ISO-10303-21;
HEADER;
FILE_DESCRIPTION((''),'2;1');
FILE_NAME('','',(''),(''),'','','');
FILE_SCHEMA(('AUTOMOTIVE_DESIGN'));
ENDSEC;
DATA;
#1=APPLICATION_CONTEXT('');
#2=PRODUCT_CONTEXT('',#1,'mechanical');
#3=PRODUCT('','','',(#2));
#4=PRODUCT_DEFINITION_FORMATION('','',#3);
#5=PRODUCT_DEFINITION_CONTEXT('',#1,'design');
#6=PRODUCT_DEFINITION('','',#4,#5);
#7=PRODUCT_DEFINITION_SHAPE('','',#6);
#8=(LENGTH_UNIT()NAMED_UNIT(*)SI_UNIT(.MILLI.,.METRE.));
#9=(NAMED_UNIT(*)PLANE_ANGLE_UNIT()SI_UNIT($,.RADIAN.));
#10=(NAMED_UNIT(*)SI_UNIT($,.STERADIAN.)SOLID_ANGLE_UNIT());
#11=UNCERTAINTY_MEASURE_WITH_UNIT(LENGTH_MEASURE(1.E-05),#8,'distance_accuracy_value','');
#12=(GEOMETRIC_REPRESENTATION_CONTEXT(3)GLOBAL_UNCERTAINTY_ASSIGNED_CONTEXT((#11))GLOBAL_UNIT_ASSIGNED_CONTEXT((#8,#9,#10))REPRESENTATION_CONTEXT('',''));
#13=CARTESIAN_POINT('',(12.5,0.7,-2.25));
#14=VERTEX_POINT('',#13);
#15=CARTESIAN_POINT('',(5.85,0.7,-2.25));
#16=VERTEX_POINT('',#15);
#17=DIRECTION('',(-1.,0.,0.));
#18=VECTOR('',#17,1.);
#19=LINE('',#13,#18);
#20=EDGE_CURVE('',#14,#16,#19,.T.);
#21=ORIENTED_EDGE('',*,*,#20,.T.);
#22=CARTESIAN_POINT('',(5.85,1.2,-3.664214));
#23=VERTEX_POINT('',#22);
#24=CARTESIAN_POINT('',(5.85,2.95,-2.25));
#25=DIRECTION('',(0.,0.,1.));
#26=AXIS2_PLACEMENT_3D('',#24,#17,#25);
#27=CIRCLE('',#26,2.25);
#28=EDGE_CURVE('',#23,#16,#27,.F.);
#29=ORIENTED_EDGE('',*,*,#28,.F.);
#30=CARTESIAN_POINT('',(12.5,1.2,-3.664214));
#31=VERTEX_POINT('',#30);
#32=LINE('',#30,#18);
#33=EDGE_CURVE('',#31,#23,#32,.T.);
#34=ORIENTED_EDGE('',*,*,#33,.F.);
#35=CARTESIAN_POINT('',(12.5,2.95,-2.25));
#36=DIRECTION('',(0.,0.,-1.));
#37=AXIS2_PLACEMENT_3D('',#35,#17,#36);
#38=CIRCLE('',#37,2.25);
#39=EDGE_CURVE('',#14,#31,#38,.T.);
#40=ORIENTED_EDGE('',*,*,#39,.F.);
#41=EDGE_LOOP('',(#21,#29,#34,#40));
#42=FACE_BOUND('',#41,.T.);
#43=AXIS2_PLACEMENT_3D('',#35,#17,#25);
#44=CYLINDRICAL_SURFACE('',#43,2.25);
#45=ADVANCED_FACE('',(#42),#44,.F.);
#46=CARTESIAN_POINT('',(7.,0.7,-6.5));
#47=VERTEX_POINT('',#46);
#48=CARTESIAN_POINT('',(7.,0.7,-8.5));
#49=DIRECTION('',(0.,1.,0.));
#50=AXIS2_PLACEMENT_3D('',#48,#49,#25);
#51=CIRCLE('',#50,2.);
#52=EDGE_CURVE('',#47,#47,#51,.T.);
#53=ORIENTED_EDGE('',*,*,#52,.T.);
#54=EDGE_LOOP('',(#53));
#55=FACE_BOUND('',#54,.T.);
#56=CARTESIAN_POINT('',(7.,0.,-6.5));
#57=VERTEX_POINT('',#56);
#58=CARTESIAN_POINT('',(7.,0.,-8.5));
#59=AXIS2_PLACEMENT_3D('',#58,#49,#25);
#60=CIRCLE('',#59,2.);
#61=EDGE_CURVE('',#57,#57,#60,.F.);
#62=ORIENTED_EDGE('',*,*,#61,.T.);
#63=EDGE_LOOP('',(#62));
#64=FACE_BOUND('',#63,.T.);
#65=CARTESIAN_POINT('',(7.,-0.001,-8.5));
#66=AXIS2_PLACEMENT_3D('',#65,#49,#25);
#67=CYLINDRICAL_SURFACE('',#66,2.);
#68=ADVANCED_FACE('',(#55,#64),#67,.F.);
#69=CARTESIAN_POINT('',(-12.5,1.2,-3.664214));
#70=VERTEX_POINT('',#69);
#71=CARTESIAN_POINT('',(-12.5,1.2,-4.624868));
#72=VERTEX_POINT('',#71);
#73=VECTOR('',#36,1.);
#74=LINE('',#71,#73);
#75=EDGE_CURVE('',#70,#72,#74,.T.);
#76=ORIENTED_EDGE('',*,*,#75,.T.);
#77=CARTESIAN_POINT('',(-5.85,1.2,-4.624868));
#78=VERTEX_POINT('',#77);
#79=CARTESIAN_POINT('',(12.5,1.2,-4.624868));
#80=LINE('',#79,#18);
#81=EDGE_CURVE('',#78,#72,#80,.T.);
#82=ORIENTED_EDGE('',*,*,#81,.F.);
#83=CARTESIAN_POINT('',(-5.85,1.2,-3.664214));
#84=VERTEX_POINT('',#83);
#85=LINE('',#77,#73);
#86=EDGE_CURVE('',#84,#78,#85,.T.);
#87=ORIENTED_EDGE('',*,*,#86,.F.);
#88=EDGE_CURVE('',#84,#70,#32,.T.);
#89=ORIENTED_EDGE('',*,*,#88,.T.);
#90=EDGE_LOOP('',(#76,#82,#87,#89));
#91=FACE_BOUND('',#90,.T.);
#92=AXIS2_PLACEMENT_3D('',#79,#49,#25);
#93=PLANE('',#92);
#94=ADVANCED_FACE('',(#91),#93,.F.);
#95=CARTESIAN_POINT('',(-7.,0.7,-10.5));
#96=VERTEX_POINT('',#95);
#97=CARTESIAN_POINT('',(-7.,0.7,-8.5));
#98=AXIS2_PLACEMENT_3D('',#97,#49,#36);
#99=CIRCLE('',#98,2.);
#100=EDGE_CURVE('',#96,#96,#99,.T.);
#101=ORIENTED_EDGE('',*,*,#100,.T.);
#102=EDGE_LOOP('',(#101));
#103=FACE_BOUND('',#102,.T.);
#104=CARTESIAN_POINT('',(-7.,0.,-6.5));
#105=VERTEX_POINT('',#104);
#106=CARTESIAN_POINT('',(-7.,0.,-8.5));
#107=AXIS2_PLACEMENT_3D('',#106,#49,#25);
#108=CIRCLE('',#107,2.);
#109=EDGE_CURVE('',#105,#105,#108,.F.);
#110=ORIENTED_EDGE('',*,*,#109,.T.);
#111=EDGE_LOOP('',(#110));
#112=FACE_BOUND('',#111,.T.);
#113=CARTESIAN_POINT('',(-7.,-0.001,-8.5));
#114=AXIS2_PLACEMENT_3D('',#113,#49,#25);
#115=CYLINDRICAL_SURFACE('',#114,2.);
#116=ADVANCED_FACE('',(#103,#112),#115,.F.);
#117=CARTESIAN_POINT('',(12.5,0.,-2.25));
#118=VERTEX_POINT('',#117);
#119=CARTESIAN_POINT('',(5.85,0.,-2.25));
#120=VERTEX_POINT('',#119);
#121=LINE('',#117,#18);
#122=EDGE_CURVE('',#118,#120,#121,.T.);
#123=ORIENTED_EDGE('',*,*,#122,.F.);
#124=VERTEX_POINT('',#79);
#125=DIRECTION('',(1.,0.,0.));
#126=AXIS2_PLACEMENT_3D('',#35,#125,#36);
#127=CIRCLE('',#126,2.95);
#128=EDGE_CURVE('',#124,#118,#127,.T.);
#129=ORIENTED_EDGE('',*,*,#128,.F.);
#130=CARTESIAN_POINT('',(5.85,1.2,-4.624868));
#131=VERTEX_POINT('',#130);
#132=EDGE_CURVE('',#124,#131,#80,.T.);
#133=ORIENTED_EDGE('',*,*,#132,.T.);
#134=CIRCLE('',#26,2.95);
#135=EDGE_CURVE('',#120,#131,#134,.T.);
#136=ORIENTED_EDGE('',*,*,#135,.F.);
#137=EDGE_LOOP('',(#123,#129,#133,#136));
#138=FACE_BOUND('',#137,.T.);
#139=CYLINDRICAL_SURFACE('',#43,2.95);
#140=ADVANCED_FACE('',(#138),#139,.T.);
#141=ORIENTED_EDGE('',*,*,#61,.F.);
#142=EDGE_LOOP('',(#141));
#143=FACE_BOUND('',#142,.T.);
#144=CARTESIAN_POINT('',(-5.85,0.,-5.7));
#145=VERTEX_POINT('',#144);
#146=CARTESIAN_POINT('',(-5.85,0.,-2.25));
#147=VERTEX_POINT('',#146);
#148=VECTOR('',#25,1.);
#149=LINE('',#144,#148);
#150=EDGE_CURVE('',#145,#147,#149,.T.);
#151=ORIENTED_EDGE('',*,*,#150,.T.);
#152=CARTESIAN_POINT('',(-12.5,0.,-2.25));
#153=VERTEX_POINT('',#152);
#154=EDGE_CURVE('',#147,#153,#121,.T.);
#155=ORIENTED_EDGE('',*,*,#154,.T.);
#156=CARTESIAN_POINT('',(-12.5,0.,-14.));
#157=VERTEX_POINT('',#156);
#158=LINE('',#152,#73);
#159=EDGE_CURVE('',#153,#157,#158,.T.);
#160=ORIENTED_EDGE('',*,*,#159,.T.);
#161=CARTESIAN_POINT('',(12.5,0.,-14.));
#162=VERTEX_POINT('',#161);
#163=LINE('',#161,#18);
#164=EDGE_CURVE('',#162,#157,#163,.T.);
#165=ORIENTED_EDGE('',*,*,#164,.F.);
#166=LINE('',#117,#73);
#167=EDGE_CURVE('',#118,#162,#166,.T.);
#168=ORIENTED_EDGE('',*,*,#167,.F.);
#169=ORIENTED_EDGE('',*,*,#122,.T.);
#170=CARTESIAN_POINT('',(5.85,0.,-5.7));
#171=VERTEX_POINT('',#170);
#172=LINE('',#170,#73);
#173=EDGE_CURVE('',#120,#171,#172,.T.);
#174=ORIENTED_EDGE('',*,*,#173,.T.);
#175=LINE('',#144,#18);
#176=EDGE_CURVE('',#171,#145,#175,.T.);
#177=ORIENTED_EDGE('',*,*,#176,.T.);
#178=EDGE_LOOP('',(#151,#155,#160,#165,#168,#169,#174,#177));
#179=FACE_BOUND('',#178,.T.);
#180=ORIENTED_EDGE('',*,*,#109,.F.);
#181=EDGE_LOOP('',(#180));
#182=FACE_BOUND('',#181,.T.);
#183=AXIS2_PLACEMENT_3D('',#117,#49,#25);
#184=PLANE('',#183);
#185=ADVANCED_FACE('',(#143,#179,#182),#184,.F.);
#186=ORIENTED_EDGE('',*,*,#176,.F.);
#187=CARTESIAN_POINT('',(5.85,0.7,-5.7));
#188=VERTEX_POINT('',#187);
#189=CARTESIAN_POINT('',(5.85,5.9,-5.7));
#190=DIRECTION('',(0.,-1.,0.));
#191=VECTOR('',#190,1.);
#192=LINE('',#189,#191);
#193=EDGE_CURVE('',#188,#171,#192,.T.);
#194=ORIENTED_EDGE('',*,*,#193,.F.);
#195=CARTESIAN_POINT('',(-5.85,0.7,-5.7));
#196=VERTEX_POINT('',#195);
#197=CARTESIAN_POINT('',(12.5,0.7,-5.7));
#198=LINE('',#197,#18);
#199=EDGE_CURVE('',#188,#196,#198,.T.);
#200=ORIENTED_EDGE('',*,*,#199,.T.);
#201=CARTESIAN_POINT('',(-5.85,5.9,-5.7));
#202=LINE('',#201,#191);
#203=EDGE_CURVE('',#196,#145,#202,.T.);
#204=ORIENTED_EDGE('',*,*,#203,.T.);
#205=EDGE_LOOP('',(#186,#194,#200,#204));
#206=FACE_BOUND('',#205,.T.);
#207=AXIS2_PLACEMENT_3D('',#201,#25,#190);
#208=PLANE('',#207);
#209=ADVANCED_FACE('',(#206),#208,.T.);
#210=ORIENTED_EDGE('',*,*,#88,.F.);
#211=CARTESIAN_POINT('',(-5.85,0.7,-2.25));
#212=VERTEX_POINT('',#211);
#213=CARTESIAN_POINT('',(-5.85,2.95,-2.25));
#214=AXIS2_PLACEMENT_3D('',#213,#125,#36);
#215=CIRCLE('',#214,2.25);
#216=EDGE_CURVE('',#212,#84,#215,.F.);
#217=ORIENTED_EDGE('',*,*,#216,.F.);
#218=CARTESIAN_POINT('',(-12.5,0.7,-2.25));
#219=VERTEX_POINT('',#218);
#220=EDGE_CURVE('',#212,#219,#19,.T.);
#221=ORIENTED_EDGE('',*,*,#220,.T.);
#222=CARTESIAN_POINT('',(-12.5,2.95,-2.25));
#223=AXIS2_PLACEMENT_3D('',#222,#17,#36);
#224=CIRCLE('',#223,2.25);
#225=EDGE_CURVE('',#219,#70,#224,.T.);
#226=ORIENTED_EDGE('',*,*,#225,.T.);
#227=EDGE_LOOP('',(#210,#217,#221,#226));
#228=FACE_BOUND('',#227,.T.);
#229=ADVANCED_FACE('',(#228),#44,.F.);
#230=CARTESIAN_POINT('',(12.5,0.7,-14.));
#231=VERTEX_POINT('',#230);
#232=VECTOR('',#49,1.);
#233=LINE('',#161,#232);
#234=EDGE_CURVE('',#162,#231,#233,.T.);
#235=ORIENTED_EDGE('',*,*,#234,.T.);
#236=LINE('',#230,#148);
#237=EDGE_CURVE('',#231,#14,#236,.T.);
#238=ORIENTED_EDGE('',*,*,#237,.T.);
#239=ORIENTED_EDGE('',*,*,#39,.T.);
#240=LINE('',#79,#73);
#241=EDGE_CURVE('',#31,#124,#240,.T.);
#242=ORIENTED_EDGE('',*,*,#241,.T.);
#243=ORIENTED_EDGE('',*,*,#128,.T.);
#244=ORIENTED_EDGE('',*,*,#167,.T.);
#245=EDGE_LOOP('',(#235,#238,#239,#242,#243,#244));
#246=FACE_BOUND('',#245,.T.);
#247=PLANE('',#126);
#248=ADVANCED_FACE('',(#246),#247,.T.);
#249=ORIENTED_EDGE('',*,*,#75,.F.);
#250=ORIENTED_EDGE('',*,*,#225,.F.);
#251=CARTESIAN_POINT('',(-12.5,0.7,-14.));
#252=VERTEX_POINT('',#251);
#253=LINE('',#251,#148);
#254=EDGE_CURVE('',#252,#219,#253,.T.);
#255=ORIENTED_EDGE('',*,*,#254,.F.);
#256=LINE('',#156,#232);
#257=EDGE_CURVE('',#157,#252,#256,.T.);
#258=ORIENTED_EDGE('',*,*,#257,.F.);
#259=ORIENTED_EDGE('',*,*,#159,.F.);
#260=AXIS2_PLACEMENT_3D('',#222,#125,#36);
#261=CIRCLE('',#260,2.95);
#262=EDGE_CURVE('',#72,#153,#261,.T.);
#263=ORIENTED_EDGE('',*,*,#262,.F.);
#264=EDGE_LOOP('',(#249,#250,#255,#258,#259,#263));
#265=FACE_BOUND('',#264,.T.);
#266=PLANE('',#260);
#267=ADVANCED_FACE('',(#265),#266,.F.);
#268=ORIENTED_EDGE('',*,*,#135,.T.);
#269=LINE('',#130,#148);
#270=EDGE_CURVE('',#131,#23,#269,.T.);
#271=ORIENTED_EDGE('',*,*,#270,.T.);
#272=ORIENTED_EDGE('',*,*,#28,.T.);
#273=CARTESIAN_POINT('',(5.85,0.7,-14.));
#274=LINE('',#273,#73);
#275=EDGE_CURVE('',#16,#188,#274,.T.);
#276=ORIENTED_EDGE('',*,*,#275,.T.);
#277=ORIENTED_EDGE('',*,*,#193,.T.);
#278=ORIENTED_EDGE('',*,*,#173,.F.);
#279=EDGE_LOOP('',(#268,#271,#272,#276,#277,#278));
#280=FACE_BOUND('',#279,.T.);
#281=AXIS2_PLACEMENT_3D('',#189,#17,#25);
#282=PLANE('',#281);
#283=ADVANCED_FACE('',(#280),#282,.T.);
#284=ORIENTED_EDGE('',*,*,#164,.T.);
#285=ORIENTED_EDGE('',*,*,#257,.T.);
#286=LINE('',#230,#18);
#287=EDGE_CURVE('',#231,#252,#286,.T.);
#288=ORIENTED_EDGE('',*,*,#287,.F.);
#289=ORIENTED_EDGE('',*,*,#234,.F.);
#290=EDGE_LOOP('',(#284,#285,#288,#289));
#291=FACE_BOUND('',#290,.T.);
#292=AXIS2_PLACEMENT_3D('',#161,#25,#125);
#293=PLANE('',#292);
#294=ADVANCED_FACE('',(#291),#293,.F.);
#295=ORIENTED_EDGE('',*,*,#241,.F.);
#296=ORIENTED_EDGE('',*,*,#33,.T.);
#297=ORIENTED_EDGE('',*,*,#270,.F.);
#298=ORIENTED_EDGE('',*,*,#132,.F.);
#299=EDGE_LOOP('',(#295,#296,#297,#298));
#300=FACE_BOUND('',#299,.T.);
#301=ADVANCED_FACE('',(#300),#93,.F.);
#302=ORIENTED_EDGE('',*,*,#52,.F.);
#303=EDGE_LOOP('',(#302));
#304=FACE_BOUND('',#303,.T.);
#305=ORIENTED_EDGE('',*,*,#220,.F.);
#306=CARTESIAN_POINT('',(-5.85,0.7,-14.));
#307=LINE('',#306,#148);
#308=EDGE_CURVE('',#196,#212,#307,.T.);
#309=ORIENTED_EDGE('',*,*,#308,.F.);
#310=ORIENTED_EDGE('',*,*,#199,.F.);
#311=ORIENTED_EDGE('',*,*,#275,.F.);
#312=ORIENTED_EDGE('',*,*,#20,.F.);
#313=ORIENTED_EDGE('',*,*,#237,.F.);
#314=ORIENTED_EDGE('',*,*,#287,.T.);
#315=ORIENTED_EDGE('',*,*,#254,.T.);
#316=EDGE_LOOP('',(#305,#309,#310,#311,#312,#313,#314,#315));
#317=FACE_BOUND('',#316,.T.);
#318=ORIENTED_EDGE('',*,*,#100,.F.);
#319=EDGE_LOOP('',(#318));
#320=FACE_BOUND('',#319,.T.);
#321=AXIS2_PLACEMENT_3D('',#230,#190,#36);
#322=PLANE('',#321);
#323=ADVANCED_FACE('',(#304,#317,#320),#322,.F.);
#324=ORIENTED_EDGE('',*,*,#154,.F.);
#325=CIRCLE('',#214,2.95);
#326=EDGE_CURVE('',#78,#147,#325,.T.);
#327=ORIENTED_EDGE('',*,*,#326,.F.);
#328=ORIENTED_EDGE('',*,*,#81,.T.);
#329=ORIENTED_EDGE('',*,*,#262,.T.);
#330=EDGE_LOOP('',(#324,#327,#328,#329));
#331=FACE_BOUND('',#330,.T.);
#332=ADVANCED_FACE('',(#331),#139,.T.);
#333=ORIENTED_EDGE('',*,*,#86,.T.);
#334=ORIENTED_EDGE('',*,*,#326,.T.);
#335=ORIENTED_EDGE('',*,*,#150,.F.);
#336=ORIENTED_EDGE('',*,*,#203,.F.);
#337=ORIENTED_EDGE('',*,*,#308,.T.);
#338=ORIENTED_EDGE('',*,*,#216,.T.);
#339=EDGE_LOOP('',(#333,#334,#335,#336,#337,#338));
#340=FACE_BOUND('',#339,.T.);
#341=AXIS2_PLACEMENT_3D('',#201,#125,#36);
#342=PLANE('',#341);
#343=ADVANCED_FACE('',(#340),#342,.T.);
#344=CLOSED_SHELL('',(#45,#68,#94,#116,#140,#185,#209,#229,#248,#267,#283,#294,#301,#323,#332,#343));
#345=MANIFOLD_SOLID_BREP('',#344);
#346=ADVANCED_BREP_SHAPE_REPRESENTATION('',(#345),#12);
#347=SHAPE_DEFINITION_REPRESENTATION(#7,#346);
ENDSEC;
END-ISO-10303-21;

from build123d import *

# Parameters (mm, degrees)
SALIENTE_EXTRUIR1_DEPTH    = 12.5
CORTAR_EXTRUIR1_REACH      = 21.475
CROQUIS5_R                 = 2
CORTAR_EXTRUIR2_DEPTH      = 20.475369059
CORTAR_EXTRUIR2_DEPTH_BACK = 20.475369059
CROQUIS6_W                 = 11.7
CROQUIS6_H                 = 6.4


with BuildPart() as part:
    # Croquis4 → Saliente-Extruir1 (new, symmetric)
    with BuildSketch(Plane(origin=(0, 0, 0), x_dir=(0, 0, -1), z_dir=(1, 0, 0))):
        with BuildLine():
            Line((14, 0), (14, 0.7))
            Line((14, 0.7), (2.25, 0.7))
            ThreePointArc((2.25, 0.7), (1.5, 5.071320344), (3.664213562, 1.2))
            Line((3.664213562, 1.2), (4.624868417, 1.2))
            ThreePointArc((4.624868417, 1.2), (0.91958653, 5.582964109), (2.25, 0))
            Line((2.25, 0), (14, 0))
        make_face()
    extrude(amount=SALIENTE_EXTRUIR1_DEPTH, both=True)

    # Croquis5 → Cortar-Extruir1 (cut, up to next)
    with BuildSketch(Plane(origin=(0, 0.7, 0), x_dir=(1, 0, 0), z_dir=(0, 1, 0)), mode=Mode.PRIVATE) as cortar_extruir1_sk1:
        with Locations(Location((7, 8.5, 0), (0, 0, 270))):
            Circle(CROQUIS5_R)
    cortar_extruir1_tool1 = extrude(cortar_extruir1_sk1.sketch, amount=-CORTAR_EXTRUIR1_REACH, mode=Mode.PRIVATE) & part.part
    # Croquis5 → Cortar-Extruir1 (cut, up to next)
    with BuildSketch(Plane(origin=(0, 0.7, 0), x_dir=(1, 0, 0), z_dir=(0, 1, 0)), mode=Mode.PRIVATE) as cortar_extruir1_sk2:
        with Locations(Location((-7, 8.5, 0), (0, 0, 270))):
            Circle(CROQUIS5_R)
    cortar_extruir1_tool2 = extrude(cortar_extruir1_sk2.sketch, amount=-CORTAR_EXTRUIR1_REACH, mode=Mode.PRIVATE) & part.part
    add(cortar_extruir1_tool1.solids().sort_by_distance((7, 0.7, -8.5))[0], mode=Mode.SUBTRACT)
    add(cortar_extruir1_tool2.solids().sort_by_distance((-7, 0.7, -8.5))[0], mode=Mode.SUBTRACT)

    # Croquis6 → Cortar-Extruir2 (cut, two sides: drawn at the far end of the back side and taken through both)
    with BuildSketch(Plane(origin=(0, 0.7, 0), x_dir=(1, 0, 0), z_dir=(0, 1, 0)).offset(-CORTAR_EXTRUIR2_DEPTH_BACK)):
        with Locations((0, 2.5)):
            Rectangle(CROQUIS6_W, CROQUIS6_H)
    extrude(amount=CORTAR_EXTRUIR2_DEPTH + CORTAR_EXTRUIR2_DEPTH_BACK, mode=Mode.SUBTRACT)


solid = part.part
